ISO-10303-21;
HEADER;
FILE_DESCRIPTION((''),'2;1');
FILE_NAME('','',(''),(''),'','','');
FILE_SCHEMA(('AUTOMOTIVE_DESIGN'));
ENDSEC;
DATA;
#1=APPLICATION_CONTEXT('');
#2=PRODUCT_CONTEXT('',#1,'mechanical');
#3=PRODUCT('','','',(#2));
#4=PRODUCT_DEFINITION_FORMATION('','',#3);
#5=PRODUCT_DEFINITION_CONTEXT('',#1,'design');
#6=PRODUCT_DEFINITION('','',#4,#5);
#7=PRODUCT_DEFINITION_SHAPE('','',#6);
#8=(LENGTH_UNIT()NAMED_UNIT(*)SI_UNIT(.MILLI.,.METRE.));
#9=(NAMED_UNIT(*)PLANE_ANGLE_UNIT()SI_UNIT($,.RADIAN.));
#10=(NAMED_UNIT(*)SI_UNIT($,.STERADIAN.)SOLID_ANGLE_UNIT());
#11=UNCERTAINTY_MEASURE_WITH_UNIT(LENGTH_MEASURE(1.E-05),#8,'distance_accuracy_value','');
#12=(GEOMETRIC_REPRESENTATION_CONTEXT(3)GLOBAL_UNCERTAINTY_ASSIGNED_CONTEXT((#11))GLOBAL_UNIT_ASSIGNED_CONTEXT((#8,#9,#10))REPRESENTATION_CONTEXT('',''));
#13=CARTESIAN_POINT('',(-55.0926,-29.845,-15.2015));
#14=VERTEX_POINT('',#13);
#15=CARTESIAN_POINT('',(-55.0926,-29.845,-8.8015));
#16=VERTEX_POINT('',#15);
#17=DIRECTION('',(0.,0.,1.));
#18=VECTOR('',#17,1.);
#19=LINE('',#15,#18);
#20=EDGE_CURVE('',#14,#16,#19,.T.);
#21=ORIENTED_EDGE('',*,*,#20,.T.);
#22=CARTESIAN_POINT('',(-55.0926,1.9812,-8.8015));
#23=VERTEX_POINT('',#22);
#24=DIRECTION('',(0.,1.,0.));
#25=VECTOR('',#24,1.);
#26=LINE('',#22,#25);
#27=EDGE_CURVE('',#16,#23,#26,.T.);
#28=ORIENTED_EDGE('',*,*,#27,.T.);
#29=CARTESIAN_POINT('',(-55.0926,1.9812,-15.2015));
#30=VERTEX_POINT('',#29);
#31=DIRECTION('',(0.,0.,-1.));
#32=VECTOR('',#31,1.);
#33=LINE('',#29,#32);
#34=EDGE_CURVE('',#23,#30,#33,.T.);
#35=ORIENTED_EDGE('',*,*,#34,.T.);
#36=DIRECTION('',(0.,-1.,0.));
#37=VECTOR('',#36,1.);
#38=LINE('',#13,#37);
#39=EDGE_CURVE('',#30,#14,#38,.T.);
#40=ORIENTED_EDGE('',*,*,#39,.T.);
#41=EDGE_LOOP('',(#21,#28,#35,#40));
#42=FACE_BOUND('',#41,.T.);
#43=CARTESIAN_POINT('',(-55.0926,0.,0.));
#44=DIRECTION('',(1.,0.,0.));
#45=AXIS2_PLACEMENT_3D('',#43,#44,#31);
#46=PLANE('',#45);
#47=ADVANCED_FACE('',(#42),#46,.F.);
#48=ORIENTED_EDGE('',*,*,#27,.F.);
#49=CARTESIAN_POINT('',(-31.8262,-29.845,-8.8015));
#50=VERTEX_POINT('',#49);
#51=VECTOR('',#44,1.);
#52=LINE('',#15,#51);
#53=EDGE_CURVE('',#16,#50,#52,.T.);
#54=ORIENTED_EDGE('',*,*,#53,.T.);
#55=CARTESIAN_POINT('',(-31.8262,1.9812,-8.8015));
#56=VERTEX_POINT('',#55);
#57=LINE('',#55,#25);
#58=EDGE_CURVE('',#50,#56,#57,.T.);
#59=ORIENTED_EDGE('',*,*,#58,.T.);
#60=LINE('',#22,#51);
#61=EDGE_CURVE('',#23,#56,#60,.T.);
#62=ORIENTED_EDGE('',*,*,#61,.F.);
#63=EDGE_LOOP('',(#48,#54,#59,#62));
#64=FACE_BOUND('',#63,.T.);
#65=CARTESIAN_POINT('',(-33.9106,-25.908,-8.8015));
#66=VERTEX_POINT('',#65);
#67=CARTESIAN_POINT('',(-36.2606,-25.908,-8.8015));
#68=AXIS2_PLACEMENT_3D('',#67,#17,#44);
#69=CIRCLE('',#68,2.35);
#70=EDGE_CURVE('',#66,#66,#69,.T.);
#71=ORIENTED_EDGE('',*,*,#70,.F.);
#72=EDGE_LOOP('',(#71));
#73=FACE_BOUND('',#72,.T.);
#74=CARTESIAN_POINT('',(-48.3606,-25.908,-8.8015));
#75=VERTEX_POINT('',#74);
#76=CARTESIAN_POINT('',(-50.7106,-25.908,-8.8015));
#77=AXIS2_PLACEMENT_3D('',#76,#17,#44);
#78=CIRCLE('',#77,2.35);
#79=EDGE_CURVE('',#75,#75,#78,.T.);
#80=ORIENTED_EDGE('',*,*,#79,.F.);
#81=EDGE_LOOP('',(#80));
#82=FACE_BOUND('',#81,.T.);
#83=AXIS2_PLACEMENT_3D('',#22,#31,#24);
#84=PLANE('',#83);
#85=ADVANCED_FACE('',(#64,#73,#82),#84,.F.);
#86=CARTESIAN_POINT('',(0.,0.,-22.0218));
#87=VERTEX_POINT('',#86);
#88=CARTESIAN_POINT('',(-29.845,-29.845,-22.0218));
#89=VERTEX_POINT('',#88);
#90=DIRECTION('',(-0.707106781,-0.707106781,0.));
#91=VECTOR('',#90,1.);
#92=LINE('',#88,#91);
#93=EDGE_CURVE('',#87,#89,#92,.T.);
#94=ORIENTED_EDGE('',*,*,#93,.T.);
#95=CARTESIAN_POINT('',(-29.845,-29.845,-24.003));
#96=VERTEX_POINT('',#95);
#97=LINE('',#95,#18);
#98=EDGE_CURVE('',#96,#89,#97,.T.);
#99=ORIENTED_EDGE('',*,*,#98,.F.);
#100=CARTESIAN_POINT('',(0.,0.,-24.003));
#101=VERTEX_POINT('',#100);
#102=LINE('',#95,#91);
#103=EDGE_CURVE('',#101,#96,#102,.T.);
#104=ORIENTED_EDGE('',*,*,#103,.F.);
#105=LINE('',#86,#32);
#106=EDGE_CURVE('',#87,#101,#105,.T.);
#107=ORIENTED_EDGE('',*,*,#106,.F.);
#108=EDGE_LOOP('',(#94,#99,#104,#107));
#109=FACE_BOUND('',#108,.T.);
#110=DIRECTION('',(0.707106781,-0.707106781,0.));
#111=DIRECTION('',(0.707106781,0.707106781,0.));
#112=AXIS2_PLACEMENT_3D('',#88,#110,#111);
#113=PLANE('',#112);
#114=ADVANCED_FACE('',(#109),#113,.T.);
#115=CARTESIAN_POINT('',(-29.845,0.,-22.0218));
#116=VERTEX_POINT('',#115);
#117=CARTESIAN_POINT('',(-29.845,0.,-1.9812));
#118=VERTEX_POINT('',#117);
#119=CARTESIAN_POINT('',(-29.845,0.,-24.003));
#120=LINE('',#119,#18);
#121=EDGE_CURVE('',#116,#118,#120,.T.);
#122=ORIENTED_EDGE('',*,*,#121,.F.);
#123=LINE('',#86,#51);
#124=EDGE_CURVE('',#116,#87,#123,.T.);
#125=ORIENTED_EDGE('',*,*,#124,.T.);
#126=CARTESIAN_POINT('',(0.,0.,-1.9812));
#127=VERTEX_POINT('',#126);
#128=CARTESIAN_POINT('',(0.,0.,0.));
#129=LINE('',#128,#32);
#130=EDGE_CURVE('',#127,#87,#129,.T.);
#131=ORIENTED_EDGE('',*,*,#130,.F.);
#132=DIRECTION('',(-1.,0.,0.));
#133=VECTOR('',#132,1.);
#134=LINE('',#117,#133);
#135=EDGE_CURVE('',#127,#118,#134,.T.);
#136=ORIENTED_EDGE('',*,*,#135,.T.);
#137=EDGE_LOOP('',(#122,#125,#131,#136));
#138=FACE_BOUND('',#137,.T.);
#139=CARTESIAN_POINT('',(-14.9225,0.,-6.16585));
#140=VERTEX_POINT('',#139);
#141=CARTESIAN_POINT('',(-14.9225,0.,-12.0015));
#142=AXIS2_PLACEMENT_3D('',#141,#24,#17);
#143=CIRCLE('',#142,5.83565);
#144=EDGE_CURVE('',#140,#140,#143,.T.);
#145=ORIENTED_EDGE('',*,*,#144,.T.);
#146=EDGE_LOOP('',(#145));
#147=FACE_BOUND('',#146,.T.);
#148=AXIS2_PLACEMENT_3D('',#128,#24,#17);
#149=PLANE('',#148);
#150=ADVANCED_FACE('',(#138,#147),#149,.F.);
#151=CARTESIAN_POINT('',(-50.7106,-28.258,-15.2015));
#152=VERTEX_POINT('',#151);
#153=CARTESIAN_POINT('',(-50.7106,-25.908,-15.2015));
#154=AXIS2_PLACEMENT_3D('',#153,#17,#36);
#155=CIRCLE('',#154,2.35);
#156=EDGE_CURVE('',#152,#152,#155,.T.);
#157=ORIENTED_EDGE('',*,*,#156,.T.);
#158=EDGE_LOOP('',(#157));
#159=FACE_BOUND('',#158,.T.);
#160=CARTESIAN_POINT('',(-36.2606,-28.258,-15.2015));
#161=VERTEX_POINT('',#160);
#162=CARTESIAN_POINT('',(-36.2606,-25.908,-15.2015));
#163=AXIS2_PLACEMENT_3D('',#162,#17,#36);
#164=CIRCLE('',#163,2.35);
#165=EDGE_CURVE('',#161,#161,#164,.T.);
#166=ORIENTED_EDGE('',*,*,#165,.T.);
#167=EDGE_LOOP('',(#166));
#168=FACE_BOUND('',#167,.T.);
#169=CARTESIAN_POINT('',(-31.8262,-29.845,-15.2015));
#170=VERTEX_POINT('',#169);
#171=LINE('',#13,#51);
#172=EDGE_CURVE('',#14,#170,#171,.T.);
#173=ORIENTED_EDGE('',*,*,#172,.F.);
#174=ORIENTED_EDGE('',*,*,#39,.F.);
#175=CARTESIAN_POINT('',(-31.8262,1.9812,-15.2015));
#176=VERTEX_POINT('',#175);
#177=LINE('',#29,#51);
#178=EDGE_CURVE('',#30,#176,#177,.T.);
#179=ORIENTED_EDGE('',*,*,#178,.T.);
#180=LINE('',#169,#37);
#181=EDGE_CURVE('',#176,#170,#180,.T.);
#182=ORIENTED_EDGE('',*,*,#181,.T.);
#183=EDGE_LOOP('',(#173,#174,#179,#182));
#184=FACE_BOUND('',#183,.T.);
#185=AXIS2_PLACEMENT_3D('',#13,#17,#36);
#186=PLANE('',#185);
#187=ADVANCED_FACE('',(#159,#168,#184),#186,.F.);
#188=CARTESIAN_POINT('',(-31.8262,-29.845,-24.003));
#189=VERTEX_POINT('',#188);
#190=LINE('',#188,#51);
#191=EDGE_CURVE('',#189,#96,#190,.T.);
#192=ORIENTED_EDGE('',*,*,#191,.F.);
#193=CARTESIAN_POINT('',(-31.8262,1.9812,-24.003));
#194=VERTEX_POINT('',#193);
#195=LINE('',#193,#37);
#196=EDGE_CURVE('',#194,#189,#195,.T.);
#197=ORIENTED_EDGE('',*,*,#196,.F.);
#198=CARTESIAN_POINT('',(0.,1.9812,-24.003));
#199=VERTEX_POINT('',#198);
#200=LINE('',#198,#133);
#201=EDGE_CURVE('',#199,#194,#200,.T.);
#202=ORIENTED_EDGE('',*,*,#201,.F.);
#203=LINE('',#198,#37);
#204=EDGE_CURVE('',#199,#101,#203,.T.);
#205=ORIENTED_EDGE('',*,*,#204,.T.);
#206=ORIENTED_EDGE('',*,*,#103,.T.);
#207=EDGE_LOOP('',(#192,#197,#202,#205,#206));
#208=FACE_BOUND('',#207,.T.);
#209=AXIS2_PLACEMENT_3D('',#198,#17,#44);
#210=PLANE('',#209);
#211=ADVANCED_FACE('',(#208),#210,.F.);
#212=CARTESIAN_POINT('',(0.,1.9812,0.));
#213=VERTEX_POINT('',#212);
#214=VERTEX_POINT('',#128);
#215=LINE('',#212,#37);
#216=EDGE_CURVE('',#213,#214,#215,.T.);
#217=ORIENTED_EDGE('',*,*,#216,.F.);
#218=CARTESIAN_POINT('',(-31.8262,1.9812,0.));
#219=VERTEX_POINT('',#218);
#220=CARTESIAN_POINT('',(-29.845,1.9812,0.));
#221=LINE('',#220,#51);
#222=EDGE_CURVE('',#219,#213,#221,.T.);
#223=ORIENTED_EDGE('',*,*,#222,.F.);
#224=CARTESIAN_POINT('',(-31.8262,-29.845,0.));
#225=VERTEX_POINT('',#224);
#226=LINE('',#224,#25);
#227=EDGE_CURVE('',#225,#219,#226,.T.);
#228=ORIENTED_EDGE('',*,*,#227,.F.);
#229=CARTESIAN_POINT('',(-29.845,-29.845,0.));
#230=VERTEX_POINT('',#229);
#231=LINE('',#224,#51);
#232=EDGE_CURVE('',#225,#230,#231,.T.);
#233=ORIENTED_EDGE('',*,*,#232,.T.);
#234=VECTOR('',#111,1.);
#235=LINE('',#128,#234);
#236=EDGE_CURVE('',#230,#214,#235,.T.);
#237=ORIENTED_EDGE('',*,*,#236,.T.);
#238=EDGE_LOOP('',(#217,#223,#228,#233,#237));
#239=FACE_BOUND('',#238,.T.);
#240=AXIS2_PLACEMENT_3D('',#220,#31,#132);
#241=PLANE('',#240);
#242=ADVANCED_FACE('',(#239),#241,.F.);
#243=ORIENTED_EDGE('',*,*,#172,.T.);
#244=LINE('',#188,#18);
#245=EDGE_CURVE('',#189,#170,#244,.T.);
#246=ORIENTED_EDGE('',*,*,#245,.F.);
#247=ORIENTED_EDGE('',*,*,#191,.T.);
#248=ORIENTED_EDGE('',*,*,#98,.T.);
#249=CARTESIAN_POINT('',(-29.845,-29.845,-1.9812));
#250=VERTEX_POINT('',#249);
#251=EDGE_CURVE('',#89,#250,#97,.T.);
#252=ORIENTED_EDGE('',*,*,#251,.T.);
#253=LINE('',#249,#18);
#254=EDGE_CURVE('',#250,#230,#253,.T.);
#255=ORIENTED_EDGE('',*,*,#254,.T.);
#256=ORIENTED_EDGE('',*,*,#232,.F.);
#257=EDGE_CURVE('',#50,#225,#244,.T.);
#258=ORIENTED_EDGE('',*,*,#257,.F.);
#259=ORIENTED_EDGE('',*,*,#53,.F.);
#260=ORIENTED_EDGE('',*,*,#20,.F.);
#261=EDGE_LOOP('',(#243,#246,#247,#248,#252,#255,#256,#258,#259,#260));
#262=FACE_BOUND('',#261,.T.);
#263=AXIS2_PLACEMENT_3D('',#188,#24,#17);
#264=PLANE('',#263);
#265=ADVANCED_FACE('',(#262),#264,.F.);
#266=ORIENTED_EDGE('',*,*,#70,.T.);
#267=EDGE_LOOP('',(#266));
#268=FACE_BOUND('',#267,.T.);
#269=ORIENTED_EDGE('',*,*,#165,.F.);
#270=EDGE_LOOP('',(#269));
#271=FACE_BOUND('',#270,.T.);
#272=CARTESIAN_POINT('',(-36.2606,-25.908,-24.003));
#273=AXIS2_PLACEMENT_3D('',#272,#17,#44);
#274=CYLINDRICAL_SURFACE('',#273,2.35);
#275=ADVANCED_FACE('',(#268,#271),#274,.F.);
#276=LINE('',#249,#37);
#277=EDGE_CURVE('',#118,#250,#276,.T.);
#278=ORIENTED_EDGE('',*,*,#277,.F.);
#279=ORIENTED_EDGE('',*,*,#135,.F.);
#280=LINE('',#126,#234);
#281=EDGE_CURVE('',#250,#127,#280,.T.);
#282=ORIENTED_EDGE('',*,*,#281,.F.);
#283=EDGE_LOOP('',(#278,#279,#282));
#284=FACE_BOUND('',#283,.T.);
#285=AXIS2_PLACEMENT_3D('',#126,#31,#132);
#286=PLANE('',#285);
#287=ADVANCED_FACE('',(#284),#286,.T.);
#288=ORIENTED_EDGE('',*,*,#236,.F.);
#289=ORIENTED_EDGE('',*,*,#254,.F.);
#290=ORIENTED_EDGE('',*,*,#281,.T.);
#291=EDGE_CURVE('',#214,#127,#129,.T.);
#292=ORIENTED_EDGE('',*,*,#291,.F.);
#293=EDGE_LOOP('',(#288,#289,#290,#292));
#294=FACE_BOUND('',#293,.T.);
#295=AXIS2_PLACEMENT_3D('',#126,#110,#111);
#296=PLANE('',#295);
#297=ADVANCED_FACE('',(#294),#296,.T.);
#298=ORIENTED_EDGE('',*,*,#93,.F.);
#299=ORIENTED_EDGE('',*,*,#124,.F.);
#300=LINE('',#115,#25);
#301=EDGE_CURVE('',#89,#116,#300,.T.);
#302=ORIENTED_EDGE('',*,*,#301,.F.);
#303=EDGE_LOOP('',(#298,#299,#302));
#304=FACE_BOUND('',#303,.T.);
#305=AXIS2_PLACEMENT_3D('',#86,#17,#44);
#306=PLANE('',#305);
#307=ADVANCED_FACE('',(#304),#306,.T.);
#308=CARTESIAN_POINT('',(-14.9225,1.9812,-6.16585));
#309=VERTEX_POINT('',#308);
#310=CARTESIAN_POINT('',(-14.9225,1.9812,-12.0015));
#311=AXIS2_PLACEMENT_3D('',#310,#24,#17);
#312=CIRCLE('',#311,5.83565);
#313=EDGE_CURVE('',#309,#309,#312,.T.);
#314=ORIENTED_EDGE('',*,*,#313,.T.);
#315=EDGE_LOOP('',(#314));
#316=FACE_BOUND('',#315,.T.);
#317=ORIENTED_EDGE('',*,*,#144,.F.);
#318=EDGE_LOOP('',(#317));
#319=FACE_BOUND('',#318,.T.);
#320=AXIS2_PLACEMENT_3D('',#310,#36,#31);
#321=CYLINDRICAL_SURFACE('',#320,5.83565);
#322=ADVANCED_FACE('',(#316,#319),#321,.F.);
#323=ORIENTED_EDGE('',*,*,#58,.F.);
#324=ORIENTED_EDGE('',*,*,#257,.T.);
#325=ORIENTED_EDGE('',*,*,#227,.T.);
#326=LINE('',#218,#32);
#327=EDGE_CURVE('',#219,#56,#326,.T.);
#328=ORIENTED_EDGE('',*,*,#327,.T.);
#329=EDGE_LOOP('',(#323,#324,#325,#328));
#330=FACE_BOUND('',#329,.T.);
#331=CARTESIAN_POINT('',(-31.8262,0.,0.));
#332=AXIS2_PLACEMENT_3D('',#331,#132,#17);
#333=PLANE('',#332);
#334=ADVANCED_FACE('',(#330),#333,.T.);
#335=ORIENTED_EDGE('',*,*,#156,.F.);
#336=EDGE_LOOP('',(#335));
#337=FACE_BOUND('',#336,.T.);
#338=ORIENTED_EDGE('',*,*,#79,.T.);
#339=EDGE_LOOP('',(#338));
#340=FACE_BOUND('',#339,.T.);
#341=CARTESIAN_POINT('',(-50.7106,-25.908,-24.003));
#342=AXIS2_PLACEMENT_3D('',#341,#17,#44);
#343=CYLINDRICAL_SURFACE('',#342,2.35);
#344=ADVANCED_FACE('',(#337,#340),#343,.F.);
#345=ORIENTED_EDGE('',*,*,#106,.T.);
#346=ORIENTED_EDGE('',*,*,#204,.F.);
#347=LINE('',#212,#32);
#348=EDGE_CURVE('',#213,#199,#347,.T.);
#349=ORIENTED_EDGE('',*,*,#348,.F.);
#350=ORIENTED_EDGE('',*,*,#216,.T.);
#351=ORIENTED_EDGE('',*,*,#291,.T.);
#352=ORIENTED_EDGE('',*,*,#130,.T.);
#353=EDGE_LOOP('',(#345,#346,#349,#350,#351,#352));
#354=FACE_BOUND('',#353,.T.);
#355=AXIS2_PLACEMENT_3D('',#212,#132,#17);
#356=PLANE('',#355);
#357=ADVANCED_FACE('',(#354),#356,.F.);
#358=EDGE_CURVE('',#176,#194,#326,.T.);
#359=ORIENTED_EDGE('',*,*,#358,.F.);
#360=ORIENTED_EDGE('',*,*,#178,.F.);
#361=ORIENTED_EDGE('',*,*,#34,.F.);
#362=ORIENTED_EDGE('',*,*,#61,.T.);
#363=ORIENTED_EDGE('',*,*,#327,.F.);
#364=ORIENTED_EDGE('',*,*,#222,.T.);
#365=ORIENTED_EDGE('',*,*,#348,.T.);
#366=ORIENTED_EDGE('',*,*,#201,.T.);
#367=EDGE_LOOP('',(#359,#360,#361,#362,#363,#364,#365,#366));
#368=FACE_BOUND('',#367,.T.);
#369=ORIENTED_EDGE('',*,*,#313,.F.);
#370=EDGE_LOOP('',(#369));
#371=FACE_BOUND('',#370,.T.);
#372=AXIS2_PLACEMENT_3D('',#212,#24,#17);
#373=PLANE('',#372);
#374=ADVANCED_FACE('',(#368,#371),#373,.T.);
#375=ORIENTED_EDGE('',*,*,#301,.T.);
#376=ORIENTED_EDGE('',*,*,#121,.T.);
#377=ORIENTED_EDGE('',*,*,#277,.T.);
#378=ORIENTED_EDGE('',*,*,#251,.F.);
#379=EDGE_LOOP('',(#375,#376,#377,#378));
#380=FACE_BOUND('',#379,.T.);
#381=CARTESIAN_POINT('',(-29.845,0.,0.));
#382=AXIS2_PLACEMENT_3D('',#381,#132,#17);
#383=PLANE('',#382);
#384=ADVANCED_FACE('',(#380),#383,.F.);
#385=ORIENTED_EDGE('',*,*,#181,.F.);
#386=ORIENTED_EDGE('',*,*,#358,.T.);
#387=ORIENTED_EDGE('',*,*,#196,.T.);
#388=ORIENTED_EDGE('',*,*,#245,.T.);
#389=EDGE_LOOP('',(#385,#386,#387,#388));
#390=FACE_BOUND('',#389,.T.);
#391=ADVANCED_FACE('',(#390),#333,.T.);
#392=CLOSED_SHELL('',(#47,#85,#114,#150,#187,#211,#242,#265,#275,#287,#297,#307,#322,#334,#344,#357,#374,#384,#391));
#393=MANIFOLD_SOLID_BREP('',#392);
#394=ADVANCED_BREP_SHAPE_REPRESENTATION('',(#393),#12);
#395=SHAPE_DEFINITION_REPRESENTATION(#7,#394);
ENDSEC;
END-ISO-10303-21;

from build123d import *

# Parameters (mm, degrees)
SKETCH1_W           = 29.845
SKETCH1_H           = 24.003
SKETCH1_R           = 5.83565
BOSS_EXTRUDE1_DEPTH = 1.9812
SKETCH7_W           = 24.003
SKETCH7_H           = 31.8262
BOSS_EXTRUDE4_DEPTH = 1.9812
BOSS_EXTRUDE5_DEPTH = 1.9812
BOSS_EXTRUDE6_DEPTH = 1.9812
SKETCH10_W          = 6.4
SKETCH10_H          = 31.8262
BOSS_EXTRUDE7_DEPTH = 23.2664
SKETCH11_R          = 2.349999999
CUT_EXTRUDE1_DEPTH  = 65.474833866


with BuildPart() as part:
    # Sketch1 → Boss-Extrude1 (new body)
    with BuildSketch(Plane(origin=(0, 0, 0), x_dir=(1, 0, 0), z_dir=(0, 1, 0))):
        with Locations((-14.9225, 12.0015)):
            Rectangle(SKETCH1_W, SKETCH1_H)
        with Locations(Location((-14.9225, 12.0015, 0), (0, 0, 270))):
            Circle(SKETCH1_R, mode=Mode.SUBTRACT)
    extrude(amount=BOSS_EXTRUDE1_DEPTH)

    # Sketch7 → Boss-Extrude4 (add)
    with BuildSketch(Plane.ZY.offset(29.845)):
        with Locations((-12.0015, -13.9319)):
            Rectangle(SKETCH7_W, SKETCH7_H)
    extrude(amount=BOSS_EXTRUDE4_DEPTH)

    # Sketch8 → Boss-Extrude5 (add)
    with BuildSketch(Plane.XY):
        Polygon((-29.845, -29.845), (-29.845, 0), (0, 0), align=None)
    extrude(amount=-BOSS_EXTRUDE5_DEPTH)

    # Sketch9 → Boss-Extrude6 (add)
    with BuildSketch(Plane(origin=(0, 0, -24.003), x_dir=(-1, 0, 0), z_dir=(0, 0, -1))):
        Polygon((0, 0), (29.845, 0), (29.845, -29.845), align=None)
    extrude(amount=-BOSS_EXTRUDE6_DEPTH)

    # Sketch10 → Boss-Extrude7 (add)
    with BuildSketch(Plane.ZY.offset(31.8262)):
        with Locations((-12.0015, -13.9319)):
            Rectangle(SKETCH10_W, SKETCH10_H)
    extrude(amount=BOSS_EXTRUDE7_DEPTH)

    # Sketch11 → Cut-Extrude1 (cut, through all)
    with BuildSketch(Plane.XY.offset(-8.8015)):
        with Locations((-50.710600001, -25.908)):
            Circle(SKETCH11_R)
        with Locations((-36.260599945, -25.908)):
            Circle(SKETCH11_R)
    extrude(amount=-CUT_EXTRUDE1_DEPTH, mode=Mode.SUBTRACT)


solid = part.part
